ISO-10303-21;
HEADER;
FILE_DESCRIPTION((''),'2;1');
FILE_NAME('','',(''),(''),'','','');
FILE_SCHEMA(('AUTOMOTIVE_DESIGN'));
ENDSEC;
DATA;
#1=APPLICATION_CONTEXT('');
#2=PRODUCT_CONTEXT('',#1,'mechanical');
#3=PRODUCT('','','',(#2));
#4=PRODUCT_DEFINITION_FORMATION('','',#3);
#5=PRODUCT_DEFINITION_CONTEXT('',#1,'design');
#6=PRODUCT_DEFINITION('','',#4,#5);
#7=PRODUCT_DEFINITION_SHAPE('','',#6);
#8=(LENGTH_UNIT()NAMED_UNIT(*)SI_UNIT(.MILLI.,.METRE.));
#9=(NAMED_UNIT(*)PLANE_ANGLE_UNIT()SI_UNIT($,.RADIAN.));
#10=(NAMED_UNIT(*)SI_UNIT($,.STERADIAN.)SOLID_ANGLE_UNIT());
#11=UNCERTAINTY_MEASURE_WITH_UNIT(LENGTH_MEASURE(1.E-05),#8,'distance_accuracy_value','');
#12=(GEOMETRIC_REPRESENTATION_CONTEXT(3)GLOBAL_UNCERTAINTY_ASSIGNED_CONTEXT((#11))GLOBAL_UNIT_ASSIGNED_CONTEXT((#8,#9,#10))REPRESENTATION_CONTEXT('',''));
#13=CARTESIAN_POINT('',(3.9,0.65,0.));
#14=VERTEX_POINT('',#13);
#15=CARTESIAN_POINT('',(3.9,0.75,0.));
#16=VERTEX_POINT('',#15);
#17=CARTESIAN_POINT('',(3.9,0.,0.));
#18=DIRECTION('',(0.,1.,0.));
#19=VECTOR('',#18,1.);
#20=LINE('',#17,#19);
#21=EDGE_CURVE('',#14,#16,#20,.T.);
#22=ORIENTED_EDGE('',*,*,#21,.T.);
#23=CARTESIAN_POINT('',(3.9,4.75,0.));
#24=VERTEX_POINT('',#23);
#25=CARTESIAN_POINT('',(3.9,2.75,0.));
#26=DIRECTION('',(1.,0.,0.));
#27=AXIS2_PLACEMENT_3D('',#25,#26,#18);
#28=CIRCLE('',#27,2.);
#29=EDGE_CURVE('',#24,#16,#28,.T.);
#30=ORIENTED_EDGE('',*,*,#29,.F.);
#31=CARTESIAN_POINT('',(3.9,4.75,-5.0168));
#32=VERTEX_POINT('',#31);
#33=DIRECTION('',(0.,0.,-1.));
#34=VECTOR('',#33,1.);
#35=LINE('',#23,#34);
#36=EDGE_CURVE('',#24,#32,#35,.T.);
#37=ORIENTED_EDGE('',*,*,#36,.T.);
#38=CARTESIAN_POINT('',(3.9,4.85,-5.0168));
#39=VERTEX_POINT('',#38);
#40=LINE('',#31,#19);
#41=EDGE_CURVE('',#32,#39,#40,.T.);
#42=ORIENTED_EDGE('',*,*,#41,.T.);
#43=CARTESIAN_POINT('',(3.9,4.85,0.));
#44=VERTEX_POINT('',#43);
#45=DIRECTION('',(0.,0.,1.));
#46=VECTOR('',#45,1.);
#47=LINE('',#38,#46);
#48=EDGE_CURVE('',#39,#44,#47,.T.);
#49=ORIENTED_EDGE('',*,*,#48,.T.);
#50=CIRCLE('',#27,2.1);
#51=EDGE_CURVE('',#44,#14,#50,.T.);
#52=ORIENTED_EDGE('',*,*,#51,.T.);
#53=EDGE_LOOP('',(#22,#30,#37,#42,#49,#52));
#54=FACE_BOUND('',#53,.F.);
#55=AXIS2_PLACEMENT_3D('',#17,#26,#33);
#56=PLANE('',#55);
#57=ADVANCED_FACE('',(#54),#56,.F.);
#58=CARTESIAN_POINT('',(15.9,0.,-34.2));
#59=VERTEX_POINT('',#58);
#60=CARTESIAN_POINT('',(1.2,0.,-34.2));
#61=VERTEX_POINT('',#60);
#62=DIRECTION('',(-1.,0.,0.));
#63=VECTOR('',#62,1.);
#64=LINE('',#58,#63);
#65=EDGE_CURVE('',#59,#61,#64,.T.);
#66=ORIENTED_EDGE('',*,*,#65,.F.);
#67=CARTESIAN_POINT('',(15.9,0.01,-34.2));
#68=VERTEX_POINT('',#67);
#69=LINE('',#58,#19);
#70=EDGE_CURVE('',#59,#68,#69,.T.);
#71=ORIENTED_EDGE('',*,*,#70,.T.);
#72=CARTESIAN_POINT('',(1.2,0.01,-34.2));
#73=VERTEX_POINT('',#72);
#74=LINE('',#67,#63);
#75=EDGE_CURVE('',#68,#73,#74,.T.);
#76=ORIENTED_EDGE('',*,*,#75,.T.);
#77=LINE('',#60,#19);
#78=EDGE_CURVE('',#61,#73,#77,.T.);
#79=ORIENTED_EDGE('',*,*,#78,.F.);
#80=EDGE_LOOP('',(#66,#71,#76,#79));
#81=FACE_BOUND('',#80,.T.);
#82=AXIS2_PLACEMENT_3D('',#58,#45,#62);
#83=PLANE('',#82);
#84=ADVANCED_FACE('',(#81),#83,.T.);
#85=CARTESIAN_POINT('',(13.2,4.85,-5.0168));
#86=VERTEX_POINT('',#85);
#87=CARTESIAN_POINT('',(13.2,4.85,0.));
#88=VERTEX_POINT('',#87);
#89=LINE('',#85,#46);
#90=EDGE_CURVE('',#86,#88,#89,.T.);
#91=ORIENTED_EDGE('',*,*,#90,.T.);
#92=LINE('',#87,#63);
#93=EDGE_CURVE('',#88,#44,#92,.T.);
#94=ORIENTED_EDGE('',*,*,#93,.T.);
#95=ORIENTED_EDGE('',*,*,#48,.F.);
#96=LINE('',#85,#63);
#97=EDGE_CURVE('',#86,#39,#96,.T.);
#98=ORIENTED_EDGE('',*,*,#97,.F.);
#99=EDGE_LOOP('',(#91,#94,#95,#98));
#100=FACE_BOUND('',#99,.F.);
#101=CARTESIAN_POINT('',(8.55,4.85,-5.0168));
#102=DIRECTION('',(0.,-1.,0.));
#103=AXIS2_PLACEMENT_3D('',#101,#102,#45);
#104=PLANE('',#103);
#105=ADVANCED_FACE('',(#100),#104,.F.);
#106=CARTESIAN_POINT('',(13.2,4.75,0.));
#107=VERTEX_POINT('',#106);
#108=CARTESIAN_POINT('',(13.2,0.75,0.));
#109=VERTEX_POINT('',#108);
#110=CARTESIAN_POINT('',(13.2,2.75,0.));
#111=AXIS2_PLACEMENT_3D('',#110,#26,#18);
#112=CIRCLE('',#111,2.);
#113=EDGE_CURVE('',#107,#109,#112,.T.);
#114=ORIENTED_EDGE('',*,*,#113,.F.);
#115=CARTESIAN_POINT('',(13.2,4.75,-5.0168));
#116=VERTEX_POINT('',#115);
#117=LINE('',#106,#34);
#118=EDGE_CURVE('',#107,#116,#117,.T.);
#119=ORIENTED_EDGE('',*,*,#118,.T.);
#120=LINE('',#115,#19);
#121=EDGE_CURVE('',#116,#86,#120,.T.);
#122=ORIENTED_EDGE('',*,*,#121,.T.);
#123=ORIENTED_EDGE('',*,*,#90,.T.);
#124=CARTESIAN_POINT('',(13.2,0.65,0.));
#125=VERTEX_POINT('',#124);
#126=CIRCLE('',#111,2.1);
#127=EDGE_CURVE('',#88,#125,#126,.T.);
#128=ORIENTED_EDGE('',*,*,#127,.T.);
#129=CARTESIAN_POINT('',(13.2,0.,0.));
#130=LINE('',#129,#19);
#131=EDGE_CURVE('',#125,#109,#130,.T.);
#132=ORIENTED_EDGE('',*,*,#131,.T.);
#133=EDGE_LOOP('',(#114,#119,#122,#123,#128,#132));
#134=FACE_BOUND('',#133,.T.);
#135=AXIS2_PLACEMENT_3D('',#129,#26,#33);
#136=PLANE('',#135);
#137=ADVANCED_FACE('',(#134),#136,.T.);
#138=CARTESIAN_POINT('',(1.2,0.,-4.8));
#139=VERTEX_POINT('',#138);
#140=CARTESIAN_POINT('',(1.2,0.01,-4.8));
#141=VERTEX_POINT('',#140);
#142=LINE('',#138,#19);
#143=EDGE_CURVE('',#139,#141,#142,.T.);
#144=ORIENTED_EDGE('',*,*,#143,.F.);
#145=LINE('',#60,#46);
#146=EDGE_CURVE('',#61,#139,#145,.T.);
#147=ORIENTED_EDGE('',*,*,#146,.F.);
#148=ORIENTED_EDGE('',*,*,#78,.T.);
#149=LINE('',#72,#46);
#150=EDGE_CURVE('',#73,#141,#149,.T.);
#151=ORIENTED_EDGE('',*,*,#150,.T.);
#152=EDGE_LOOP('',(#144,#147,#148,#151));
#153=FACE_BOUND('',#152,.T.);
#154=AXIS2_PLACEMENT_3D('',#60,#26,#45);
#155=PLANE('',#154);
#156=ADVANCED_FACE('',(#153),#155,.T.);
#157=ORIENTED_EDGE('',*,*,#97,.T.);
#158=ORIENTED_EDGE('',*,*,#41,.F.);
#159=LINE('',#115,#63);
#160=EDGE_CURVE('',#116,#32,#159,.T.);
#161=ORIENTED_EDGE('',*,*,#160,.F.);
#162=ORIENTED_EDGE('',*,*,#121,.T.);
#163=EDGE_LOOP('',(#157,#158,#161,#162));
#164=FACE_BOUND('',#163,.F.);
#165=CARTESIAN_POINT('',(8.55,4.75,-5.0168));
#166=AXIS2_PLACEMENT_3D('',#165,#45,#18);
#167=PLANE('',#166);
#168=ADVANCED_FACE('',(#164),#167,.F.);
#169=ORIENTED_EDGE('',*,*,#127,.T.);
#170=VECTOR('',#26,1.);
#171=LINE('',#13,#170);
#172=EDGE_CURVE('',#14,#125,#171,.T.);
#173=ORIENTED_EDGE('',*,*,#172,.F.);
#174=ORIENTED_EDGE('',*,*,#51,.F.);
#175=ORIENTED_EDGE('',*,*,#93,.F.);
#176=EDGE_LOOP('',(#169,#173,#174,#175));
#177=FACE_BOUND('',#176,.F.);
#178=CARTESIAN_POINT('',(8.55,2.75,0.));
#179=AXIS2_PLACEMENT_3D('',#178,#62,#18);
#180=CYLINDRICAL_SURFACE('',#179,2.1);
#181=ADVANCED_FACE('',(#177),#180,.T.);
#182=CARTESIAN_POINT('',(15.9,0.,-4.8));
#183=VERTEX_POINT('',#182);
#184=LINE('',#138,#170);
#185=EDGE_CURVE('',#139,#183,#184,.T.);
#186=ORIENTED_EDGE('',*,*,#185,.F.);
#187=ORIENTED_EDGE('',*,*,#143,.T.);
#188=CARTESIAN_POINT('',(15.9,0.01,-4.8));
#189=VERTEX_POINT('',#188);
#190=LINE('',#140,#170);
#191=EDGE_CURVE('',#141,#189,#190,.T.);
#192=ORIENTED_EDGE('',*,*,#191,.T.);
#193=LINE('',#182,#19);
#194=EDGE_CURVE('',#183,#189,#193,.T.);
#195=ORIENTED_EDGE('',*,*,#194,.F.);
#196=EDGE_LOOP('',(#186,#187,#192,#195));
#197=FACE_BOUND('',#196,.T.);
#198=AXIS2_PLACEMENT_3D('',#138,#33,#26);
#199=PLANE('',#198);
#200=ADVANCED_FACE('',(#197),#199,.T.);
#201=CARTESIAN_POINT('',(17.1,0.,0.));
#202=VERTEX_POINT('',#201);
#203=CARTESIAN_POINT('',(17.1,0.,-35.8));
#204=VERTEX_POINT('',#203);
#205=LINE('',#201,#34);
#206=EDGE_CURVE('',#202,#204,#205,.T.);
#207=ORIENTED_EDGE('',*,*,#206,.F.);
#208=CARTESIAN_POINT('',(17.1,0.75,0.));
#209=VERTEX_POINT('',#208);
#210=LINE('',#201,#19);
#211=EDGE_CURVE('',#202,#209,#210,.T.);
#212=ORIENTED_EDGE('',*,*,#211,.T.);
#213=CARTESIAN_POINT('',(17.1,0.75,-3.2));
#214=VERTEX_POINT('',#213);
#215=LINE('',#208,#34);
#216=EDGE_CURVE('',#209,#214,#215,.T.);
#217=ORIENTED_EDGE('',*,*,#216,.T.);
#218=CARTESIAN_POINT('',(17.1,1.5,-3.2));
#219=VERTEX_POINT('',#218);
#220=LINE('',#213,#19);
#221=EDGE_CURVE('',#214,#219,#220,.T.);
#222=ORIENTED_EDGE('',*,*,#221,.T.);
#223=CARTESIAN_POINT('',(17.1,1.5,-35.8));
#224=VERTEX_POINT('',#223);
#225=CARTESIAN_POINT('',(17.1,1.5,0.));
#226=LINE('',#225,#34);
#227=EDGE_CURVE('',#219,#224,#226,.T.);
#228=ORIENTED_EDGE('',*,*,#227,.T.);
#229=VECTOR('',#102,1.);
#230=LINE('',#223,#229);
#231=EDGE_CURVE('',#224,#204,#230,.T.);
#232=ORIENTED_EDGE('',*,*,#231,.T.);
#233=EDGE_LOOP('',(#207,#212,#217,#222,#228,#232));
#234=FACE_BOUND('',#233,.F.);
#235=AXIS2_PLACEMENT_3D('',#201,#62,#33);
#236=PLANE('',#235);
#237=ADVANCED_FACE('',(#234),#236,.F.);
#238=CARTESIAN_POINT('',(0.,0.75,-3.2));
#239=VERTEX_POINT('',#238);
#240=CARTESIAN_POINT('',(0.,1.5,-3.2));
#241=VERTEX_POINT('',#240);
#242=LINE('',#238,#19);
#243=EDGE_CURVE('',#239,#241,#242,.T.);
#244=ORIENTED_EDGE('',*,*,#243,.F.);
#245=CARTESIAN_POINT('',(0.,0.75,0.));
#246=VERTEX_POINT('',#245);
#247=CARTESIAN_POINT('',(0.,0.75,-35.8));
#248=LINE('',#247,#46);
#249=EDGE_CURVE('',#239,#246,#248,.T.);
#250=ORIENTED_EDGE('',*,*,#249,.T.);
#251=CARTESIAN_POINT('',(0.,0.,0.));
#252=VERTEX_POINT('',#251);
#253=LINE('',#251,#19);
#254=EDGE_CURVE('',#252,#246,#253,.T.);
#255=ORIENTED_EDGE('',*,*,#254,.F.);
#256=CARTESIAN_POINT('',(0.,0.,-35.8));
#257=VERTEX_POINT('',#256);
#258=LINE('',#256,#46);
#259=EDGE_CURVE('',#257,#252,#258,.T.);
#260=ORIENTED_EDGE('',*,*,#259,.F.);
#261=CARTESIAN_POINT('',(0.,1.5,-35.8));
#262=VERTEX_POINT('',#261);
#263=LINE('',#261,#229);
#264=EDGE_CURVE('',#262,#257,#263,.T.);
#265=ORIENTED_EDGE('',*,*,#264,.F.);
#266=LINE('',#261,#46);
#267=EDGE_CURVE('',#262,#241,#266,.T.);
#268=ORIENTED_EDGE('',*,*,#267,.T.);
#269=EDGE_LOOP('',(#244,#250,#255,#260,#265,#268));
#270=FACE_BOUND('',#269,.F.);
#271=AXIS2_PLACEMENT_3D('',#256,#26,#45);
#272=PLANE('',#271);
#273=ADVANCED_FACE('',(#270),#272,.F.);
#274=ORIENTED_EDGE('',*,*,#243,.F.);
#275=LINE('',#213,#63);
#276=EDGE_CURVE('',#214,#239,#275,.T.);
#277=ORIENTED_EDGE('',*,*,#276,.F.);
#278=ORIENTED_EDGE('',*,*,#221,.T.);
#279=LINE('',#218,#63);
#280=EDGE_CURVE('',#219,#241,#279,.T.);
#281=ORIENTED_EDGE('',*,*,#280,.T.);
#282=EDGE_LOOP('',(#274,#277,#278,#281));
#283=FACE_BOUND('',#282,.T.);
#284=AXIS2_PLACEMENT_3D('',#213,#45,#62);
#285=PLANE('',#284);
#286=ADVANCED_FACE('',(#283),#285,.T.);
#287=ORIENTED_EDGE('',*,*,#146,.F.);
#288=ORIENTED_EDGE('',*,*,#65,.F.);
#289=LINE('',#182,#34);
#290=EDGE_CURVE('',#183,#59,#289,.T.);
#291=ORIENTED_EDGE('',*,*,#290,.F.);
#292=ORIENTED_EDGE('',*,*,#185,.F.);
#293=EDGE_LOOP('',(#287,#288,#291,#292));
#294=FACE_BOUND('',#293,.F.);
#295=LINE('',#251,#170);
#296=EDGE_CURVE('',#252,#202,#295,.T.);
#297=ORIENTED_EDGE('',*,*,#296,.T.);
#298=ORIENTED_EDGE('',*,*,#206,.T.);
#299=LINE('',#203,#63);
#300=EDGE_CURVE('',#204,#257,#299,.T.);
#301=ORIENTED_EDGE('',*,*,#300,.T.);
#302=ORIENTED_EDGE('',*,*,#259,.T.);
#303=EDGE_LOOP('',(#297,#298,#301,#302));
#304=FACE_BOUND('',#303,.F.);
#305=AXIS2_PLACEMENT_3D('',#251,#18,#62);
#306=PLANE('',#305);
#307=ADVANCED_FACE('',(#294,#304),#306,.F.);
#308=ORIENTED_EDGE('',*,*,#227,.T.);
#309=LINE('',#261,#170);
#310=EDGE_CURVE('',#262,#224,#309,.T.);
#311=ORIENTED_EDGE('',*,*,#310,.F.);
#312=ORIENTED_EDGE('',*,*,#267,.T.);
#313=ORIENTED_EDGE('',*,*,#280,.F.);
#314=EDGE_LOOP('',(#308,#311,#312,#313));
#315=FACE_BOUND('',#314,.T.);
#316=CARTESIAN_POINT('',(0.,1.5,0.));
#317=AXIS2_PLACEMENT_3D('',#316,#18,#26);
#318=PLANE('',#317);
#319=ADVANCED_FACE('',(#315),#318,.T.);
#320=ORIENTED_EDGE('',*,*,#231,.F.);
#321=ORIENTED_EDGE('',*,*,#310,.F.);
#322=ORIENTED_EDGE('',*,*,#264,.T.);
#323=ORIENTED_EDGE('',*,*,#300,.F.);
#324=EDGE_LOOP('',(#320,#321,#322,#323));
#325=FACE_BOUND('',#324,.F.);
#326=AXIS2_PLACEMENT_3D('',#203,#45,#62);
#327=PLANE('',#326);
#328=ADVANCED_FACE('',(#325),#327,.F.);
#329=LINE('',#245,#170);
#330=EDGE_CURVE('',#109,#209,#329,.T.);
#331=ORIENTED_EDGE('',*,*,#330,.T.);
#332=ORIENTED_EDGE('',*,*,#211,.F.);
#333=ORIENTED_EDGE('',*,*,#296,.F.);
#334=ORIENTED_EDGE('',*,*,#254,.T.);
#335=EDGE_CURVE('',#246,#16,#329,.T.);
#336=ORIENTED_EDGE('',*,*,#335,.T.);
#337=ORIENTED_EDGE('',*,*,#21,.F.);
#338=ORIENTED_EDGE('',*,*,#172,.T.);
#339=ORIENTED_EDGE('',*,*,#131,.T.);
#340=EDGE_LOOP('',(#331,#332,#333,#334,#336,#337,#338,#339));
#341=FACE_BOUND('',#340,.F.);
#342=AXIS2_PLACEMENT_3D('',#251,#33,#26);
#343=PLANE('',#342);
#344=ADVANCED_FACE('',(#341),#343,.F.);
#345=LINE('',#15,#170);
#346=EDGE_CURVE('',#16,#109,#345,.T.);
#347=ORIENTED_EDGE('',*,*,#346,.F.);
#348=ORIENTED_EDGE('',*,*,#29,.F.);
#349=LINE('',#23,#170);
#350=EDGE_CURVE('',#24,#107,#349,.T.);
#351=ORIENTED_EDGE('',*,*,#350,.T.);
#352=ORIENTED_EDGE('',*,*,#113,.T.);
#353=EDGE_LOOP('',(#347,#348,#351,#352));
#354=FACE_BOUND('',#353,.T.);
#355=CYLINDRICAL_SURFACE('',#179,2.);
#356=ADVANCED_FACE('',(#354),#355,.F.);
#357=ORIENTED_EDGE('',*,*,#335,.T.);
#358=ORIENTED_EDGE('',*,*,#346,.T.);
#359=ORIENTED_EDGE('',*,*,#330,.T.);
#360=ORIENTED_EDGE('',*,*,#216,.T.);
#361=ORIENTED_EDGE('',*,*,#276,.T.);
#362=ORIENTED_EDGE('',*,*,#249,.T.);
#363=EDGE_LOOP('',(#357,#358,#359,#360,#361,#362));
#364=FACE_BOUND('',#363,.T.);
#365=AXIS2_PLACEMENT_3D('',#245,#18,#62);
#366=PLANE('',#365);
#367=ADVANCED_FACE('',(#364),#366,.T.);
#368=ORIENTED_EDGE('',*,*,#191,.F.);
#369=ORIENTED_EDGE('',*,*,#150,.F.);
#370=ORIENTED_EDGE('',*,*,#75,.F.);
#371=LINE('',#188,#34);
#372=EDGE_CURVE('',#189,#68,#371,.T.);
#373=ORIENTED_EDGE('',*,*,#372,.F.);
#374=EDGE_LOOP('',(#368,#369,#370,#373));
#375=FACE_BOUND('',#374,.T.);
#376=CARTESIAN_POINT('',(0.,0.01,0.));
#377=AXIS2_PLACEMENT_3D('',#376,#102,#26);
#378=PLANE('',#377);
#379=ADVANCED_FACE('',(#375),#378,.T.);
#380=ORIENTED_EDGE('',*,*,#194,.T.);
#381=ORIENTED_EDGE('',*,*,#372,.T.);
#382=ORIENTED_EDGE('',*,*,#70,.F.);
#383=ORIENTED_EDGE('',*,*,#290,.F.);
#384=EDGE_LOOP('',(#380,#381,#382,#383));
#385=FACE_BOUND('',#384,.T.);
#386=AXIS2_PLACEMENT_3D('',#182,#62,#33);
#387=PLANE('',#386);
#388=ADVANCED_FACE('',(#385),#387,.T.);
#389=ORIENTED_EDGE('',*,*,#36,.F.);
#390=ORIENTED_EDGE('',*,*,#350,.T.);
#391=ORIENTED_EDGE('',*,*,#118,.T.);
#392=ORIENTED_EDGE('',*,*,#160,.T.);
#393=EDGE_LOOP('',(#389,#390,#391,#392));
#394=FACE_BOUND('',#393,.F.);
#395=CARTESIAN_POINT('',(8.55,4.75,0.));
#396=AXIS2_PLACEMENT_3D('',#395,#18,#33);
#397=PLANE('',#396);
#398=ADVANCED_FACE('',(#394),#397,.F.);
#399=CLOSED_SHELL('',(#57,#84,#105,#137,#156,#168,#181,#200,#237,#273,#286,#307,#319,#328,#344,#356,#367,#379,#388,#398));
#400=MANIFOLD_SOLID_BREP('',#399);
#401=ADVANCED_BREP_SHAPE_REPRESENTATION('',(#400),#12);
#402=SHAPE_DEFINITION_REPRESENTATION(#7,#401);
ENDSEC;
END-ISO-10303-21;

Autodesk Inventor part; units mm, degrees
ref_plane "YZ Plane" through (0, 0, 0) normal (1, 0, 0) x (0, 1, 0)
ref_plane "XZ Plane" through (0, 0, 0) normal (0, 1, 0) x (-1, 0, 0)
sketch "Эскиз1" plane through (0, 0, 0) normal (0, 1, 0) x (-1, 0, 0)
  line L0 (0, 0) -> (-17.1, 0)
  line L1 (-17.1, 0) -> (-17.1, -35.8)
  line L2 (-17.1, -35.8) -> (0, -35.8)
  line L3 (0, -35.8) -> (0, 0)
  dimension "d0" = 17.1
  dimension "d1" = 35.8
extrude "Выдавливание1" add sketch "Эскиз1" along normal blind 0.75
sketch "Эскиз2" plane through (0, 0.75, 0) normal (0, 1, 0) x (1, 0, 0)
  line L0 (0, 35.8) -> (0, 0) projected
  line L1 (17.1, 0) -> (17.1, 35.8) projected
  line L2 (0, 35.8) -> (17.1, 35.8)
  line L3 (17.1, 35.8) -> (17.1, 3.2)
  line L4 (17.1, 3.2) -> (0, 3.2)
  line L5 (0, 3.2) -> (0, 35.8)
  point P0 (0, 3.2)
  dimension "d4" = 32.6
extrude "Выдавливание2" add sketch "Эскиз2" along normal blind 0.75
sketch "Эскиз3" plane through (0, 0, 0) normal (0, -1, 0) x (1, 0, 0)
  line L0 (0, -35.8) -> (0, -3.2) projected
  line L1 (0, -3.2) -> (17.1, -3.2) projected
  line L2 (17.1, -3.2) -> (17.1, -35.8) projected
  line L3 (17.1, -35.8) -> (0, -35.8) projected
  line L4 (15.9, -34.2) -> (1.2, -34.2)
  line L5 (1.2, -34.2) -> (1.2, -4.8)
  line L6 (1.2, -4.8) -> (15.9, -4.8)
  line L7 (15.9, -4.8) -> (15.9, -34.2)
  point P0 (0, 0)
  point P1 (8.55, -34.2)
  point P2 (8.55, -35.8)
  point P3 (15.9, -19.5)
  point P4 (17.1, -19.5)
  dimension "d7" = 29.4
  dimension "d8" = 14.7
extrude "Выдавливание3" cut sketch "Эскиз3" against normal blind 0.01 contours L4 L5 L6 L7
ref_plane "РабПлоскость1" through (8.55, 0, 0) normal (1, 0, 0) x (0, 0, -1)
sketch "Эскиз4" plane through (8.55, 0, 0) normal (1, 0, 0) x (0, 0, -1)
  line L0 (0, 0) -> (0, 0.75) projected
  arc A0 (0, 4.75) -> (0, 0.75) centre (0, 2.75) ccw
  arc A1 (0, 4.85) -> (0, 0.65) centre (0, 2.75) ccw
  line L1 (0, 4.75) -> (5.0168, 4.75)
  line L2 (5.0168, 4.75) -> (5.0168, 4.85)
  line L3 (5.0168, 4.85) -> (0, 4.85)
  dimension "d11" = 0.1
  dimension "d12" = 2
  dimension "d13" = 5.0168
extrude "Выдавливание4" add sketch "Эскиз4" along normal mid plane 9.3
properties part number "Display_1.3"
